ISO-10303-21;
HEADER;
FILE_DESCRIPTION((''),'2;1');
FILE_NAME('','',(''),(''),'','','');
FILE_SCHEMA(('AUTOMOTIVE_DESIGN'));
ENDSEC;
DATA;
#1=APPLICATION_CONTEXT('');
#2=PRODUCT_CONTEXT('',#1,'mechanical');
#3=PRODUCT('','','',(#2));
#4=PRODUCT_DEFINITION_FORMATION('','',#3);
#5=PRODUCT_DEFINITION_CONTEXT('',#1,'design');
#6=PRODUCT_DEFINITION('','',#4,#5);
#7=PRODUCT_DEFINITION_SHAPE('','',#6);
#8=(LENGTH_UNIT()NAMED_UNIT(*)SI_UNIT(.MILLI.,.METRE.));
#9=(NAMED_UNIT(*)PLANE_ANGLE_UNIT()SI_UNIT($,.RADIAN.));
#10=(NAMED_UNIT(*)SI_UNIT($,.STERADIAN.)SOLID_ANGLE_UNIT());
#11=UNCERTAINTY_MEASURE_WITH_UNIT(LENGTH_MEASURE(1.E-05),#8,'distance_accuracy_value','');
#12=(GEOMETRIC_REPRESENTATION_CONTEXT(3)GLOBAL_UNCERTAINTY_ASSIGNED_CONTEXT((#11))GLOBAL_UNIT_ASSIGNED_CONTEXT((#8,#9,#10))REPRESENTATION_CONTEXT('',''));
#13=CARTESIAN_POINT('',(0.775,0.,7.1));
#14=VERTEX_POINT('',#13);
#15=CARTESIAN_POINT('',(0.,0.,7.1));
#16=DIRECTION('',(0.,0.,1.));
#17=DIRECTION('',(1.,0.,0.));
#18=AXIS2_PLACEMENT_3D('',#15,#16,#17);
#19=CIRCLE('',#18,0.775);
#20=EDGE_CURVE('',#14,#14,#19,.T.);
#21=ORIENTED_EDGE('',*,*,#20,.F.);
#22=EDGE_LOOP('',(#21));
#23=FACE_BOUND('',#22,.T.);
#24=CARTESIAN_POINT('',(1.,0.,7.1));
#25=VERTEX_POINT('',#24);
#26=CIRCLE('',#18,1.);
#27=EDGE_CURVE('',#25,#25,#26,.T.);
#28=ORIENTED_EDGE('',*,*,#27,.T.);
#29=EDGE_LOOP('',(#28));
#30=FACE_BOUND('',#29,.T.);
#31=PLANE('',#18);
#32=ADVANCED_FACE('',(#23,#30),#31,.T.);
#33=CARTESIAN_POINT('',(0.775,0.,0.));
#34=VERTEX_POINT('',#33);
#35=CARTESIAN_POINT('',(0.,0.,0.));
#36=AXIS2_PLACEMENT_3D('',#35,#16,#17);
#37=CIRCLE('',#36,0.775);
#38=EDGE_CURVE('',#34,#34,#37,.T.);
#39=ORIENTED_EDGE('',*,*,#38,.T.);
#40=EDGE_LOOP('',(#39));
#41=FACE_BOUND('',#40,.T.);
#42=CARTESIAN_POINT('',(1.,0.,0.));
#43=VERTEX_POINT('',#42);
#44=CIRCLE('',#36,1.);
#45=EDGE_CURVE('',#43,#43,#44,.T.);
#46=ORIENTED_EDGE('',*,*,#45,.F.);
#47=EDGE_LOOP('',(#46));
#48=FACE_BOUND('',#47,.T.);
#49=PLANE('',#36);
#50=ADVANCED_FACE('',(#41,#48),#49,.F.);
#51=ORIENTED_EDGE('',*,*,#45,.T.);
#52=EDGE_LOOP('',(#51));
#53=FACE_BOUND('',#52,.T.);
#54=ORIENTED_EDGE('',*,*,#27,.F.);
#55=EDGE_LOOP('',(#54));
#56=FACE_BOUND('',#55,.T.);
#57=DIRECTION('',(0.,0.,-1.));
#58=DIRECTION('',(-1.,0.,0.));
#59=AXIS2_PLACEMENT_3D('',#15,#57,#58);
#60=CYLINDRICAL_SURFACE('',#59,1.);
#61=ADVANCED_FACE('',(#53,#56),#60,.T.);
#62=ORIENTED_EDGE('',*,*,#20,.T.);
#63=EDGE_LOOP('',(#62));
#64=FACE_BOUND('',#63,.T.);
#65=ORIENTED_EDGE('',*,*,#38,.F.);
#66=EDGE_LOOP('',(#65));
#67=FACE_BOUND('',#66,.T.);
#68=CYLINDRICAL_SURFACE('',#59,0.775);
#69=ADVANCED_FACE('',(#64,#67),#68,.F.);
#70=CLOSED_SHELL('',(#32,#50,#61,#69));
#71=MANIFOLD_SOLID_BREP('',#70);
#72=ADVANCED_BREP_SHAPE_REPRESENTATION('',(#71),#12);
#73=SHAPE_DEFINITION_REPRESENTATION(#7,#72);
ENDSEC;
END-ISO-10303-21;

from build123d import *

# Parameters (mm, degrees)
SKETCH_1_R      = 1
SKETCH_1_R_2    = 0.775
EXTRUDE_1_DEPTH = 7.1


with BuildPart() as part:
    # Эскиз1 → Бобышка-Вытянуть1 (new body)
    with BuildSketch(Plane.XY):
        Circle(SKETCH_1_R)
        Circle(SKETCH_1_R_2, mode=Mode.SUBTRACT)
    extrude(amount=EXTRUDE_1_DEPTH)


solid = part.part
